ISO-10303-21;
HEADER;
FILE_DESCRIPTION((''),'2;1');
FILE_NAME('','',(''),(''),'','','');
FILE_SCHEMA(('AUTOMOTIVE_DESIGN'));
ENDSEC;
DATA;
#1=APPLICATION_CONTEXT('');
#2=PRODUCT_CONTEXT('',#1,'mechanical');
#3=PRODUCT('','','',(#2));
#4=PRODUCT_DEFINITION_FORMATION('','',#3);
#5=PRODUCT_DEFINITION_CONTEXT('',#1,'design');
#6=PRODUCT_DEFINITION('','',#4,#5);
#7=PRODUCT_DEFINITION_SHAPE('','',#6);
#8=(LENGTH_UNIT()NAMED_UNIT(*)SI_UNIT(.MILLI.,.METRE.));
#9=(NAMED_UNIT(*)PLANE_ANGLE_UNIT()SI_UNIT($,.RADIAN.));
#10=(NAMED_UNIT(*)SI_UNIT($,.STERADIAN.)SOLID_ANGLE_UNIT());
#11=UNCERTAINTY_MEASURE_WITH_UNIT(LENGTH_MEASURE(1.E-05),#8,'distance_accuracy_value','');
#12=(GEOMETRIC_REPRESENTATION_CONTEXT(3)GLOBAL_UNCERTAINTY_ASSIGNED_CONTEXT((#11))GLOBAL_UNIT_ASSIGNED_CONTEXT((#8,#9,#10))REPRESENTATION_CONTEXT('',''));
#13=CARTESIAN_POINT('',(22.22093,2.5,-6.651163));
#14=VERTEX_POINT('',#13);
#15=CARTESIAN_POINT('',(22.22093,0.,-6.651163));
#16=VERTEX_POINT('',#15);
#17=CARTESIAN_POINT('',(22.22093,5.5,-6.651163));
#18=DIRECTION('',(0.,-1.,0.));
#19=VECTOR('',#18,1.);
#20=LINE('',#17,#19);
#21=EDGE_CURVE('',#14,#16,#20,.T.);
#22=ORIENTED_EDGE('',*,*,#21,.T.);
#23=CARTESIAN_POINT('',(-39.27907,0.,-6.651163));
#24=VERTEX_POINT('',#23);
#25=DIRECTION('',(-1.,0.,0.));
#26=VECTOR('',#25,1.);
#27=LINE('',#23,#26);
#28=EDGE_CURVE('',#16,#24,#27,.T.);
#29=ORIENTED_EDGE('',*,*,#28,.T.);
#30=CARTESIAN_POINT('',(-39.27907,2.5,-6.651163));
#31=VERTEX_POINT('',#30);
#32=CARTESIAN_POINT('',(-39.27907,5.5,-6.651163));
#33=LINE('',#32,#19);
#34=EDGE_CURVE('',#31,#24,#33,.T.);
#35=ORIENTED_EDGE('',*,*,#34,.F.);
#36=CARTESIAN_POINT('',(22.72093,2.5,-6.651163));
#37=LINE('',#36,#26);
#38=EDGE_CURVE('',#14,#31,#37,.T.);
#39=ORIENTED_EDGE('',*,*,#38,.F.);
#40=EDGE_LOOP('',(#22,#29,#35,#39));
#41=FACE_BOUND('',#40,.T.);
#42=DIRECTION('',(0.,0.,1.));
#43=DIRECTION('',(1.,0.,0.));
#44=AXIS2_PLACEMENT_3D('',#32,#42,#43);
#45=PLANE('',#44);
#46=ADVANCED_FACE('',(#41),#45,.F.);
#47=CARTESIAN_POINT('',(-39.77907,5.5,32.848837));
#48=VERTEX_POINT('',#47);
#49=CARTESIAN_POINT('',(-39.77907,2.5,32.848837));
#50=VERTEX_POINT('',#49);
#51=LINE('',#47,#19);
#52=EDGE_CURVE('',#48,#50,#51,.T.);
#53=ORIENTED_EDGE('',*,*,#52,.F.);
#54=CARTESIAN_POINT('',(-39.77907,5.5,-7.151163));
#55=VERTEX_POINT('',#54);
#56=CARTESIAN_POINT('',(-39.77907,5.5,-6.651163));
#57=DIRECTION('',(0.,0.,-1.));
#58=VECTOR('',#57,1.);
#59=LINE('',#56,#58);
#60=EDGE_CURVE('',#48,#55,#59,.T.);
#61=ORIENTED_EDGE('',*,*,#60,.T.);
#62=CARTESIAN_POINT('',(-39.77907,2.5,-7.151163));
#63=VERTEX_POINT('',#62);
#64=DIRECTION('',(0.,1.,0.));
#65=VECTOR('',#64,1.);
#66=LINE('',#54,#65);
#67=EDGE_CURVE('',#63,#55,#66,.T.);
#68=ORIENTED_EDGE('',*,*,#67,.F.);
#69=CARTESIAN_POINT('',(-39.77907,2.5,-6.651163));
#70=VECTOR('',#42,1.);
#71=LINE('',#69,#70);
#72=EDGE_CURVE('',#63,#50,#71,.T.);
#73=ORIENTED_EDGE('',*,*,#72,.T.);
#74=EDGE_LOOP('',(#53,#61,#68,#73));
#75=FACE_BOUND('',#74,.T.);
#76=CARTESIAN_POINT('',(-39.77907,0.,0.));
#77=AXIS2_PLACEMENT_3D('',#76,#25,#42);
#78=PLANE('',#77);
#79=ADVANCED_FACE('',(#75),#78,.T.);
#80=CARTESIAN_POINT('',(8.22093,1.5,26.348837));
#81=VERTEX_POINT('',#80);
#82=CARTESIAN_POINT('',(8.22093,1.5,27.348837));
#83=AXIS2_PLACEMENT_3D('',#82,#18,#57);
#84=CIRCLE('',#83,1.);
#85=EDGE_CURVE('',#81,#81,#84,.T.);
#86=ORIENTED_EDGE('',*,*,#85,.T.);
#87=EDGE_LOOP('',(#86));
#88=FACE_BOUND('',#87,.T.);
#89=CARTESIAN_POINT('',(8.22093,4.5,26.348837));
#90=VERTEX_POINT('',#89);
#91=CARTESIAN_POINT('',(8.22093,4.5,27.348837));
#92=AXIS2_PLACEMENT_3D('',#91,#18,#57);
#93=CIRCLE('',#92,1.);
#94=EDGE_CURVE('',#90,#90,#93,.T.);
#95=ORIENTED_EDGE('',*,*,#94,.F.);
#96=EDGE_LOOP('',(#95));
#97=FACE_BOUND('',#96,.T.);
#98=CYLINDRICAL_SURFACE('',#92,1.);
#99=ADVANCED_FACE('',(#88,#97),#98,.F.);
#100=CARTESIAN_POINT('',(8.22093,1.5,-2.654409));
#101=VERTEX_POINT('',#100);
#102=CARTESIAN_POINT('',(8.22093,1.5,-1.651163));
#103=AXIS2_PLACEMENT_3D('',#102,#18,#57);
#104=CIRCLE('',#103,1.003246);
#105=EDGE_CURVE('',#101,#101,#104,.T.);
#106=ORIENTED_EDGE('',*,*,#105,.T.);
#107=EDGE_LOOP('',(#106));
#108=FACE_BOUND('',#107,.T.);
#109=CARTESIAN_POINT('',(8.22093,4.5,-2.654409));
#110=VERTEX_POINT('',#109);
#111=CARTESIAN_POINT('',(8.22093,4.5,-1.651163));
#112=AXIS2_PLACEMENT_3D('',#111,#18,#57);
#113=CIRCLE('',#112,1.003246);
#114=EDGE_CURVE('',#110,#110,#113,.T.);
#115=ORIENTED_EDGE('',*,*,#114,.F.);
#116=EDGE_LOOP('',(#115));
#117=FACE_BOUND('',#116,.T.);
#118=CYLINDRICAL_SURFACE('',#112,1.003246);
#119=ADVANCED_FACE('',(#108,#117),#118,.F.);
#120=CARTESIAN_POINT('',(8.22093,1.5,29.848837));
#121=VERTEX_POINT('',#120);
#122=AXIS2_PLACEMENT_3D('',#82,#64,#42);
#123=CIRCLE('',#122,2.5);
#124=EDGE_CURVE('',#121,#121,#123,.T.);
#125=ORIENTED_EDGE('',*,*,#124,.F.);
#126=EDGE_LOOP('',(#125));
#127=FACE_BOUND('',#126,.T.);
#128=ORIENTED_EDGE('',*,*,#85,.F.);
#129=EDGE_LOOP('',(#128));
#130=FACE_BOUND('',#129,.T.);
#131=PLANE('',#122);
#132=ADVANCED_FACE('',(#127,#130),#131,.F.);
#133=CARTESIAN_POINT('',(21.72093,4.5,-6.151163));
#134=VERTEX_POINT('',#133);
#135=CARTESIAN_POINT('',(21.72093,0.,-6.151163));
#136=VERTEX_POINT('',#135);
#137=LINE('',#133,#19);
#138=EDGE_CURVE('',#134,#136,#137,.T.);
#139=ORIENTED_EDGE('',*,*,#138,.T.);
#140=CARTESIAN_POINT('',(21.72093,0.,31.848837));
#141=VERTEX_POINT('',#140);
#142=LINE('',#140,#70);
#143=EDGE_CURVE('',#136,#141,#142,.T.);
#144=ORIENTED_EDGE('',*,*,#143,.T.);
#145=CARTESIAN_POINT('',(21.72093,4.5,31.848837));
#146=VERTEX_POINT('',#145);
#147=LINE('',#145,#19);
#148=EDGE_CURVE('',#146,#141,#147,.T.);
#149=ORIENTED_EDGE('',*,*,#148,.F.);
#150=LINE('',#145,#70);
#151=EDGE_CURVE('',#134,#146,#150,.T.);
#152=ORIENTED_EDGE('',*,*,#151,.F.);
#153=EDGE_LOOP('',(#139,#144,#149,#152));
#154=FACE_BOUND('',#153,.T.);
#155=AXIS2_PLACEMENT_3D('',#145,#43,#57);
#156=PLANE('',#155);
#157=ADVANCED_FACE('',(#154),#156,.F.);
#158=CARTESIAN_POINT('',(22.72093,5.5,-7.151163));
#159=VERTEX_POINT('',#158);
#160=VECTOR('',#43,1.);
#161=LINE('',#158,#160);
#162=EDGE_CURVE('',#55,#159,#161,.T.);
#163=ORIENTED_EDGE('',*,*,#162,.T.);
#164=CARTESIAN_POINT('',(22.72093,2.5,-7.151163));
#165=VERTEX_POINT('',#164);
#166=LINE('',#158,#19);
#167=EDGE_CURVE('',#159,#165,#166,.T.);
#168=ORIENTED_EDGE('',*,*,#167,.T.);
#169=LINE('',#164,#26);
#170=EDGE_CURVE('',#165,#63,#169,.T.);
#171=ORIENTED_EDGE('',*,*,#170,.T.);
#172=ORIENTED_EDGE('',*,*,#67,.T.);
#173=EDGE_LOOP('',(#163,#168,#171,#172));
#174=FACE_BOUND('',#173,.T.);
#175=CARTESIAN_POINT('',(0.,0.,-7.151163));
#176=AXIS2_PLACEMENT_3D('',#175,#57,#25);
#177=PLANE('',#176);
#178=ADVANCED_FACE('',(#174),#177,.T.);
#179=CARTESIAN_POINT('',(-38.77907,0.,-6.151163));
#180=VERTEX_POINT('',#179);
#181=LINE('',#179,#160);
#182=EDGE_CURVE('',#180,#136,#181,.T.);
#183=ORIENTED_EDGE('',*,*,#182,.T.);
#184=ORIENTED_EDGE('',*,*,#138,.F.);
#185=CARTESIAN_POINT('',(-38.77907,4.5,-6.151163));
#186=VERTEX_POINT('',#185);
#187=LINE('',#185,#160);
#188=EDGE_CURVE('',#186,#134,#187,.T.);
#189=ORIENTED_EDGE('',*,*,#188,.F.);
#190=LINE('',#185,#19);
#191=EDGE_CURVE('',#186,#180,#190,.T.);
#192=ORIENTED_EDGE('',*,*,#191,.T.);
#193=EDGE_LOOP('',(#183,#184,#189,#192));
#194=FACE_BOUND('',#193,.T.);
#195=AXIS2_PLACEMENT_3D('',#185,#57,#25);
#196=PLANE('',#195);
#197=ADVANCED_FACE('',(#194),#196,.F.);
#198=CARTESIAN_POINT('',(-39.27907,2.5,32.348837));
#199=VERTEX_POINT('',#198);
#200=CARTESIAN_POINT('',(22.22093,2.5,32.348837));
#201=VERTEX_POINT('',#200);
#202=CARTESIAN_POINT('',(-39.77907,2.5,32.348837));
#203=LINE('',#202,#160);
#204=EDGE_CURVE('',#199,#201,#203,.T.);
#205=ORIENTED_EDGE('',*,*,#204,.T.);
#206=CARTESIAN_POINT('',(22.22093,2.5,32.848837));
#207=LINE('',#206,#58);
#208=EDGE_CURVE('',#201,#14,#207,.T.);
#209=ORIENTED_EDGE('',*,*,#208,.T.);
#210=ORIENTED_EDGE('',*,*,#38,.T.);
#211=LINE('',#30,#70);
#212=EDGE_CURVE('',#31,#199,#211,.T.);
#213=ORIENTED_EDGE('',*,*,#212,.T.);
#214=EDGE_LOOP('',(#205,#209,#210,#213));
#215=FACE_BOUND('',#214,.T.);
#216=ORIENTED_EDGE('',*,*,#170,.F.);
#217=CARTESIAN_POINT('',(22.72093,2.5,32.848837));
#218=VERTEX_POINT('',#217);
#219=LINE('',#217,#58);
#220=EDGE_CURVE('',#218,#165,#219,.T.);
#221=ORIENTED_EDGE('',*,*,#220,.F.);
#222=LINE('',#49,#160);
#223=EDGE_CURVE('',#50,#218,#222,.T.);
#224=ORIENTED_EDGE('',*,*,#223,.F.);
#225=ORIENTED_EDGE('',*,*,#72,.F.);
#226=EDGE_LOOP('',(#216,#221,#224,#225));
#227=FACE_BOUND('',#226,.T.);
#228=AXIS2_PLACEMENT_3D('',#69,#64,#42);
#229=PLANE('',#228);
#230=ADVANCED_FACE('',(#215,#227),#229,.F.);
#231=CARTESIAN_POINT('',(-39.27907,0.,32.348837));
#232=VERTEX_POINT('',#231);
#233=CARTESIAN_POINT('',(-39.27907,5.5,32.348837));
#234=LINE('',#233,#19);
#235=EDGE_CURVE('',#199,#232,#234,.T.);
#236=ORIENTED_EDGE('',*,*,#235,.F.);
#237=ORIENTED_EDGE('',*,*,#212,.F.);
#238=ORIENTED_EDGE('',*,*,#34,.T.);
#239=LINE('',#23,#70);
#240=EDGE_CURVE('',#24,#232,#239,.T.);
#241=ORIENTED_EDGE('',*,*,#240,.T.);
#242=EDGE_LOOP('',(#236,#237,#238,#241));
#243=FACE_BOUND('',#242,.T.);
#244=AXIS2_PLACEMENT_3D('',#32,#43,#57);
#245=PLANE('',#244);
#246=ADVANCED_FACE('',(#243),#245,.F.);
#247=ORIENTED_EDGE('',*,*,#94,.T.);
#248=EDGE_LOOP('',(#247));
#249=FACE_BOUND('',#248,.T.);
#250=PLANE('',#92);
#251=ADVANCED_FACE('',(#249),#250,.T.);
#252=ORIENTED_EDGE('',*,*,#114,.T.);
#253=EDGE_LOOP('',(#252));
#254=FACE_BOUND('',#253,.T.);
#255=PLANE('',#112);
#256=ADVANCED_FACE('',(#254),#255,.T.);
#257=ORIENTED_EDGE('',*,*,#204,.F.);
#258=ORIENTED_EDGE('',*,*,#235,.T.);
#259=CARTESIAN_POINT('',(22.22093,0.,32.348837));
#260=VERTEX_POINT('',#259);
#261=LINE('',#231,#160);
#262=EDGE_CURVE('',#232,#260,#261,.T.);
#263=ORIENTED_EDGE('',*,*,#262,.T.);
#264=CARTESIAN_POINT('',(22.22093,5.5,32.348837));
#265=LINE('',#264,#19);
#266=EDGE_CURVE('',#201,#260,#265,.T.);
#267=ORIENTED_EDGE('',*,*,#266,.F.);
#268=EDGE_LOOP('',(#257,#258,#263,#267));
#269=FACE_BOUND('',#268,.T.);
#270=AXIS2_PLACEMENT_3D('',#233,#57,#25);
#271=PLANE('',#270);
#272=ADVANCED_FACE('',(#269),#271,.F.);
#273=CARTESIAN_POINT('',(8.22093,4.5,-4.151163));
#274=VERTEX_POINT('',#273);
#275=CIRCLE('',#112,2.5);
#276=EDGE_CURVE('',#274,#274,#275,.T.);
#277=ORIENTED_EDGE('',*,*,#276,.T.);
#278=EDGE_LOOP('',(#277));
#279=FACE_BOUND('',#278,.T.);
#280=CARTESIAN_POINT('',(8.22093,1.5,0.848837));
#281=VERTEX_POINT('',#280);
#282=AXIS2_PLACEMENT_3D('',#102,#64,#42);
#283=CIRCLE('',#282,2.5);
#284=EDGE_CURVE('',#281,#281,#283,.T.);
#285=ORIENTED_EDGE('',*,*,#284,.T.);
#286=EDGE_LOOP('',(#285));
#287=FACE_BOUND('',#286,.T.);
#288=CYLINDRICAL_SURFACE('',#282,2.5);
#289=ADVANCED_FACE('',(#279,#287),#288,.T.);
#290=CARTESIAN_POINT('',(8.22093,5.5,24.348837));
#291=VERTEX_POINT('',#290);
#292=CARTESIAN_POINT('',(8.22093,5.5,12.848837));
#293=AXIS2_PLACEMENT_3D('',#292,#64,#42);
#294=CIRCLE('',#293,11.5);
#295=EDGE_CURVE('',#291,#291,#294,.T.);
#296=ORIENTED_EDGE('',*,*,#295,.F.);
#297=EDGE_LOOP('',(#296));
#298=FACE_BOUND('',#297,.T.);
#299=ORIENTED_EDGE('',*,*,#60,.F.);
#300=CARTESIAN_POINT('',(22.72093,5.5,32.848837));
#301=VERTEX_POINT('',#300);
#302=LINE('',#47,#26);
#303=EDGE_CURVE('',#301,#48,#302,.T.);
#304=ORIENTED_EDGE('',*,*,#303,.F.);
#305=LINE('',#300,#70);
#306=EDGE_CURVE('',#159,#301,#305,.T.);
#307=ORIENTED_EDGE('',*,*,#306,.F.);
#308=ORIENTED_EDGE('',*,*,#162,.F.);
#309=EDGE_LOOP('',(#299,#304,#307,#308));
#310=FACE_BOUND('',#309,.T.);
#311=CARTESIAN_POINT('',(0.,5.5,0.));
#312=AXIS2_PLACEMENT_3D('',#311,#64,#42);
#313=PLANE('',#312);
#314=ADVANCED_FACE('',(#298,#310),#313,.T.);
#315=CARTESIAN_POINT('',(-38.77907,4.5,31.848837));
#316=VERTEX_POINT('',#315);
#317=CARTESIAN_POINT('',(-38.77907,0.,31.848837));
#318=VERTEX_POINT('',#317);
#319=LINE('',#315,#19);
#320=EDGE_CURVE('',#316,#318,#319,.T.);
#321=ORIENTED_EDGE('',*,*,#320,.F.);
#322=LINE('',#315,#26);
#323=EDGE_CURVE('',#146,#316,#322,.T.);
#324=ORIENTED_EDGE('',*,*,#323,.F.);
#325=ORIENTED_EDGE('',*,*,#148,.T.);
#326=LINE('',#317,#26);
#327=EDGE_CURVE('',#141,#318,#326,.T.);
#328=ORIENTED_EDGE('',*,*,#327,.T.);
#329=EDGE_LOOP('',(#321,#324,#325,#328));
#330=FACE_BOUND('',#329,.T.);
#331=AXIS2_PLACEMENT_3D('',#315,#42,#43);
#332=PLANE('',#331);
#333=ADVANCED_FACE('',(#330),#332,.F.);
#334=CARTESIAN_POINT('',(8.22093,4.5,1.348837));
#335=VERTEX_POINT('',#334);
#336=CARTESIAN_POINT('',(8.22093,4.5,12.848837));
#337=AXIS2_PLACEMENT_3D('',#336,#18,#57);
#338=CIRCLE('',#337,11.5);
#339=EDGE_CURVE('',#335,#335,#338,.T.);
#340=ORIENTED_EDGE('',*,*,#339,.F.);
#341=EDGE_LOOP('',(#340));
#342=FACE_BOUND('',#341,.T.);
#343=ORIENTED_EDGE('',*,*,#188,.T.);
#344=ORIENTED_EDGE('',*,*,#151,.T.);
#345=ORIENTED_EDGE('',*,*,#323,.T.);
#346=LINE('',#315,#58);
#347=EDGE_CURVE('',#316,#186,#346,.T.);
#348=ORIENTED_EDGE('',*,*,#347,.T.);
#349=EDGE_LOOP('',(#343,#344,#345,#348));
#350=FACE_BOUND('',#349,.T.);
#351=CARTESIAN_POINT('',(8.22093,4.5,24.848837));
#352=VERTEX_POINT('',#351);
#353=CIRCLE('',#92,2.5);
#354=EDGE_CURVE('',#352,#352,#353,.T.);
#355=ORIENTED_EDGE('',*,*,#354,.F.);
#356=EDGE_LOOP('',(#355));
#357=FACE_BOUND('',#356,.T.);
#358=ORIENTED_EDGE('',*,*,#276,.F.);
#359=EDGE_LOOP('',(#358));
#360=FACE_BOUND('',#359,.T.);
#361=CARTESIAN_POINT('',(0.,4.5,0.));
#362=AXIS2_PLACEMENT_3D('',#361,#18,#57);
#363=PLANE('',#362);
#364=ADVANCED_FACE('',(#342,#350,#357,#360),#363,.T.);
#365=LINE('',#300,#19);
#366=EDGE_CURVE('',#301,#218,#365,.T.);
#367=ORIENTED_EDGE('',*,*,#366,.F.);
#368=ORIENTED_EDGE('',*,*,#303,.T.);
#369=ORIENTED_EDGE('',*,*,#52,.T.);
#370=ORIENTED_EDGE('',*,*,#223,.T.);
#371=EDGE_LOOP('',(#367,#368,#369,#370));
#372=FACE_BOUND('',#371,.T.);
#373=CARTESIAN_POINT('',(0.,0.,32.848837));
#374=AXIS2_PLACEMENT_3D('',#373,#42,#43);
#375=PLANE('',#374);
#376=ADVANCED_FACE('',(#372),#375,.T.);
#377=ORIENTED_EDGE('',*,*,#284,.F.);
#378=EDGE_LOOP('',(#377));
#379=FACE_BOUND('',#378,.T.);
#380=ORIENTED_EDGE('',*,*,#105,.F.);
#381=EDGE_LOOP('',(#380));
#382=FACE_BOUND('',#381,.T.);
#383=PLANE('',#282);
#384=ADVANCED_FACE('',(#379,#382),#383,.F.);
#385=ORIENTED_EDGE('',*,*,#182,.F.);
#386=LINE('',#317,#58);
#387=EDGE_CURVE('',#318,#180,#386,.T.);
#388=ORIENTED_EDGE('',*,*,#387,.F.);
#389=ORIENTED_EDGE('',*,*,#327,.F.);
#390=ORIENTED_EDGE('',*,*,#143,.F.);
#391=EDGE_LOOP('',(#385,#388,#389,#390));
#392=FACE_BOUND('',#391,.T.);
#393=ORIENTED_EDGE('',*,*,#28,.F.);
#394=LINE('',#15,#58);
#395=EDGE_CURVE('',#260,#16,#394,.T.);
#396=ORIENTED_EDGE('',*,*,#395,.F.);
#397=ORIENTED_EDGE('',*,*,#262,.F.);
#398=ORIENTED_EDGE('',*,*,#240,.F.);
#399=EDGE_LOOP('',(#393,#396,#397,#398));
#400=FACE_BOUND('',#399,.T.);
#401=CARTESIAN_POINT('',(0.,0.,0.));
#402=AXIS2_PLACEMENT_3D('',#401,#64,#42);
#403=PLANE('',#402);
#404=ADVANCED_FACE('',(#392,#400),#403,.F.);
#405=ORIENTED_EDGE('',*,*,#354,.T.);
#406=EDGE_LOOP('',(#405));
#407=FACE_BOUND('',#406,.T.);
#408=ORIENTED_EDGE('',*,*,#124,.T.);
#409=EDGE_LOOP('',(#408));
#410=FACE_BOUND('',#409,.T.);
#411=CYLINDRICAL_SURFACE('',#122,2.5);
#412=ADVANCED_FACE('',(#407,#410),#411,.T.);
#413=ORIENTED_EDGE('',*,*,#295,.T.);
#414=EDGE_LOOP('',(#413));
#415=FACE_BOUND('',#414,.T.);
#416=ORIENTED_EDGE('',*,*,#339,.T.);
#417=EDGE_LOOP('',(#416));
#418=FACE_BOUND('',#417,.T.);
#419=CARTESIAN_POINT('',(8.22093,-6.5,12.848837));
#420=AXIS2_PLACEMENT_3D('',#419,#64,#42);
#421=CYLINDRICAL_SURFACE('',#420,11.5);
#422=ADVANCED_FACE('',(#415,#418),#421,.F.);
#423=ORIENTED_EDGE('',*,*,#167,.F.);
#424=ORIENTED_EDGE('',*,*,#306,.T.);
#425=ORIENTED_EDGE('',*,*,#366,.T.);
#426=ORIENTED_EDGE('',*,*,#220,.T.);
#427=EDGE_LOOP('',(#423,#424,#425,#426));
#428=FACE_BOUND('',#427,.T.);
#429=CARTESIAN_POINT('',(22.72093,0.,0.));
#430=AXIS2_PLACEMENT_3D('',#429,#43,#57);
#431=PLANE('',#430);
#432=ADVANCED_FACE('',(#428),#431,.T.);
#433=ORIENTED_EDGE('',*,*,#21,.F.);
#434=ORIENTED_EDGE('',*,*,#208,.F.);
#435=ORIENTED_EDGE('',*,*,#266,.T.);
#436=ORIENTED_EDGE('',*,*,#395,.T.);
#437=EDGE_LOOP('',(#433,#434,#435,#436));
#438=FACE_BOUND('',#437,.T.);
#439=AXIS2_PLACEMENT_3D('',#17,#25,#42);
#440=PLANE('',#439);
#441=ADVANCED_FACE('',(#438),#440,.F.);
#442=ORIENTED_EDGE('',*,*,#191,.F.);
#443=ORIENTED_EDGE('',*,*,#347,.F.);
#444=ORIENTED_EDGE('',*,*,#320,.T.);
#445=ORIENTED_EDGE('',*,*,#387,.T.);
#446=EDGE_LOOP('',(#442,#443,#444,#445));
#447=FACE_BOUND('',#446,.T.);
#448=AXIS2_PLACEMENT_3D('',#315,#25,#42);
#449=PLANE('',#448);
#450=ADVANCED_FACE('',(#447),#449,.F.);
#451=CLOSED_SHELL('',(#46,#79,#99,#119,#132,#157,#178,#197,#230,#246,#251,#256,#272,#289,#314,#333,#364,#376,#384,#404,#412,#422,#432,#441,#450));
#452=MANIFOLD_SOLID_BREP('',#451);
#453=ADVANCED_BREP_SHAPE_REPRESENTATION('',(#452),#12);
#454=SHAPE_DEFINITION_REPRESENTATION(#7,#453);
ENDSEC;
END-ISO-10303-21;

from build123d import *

# Parameters (mm, degrees)
SKETCH_1_W          = 61.5
SKETCH_1_H          = 39
EXTRUDE_1_DEPTH     = 5.5
SKETCH_2_W          = 39
SKETCH_2_H          = 3
EXTRUDE_2_DEPTH     = 0.5
SKETCH_3_W          = 62
SKETCH_3_H          = 3
EXTRUDE_3_DEPTH     = 0.5
SKETCH_5_W          = 39.5
SKETCH_5_H          = 3
EXTRUDE_4_DEPTH     = 0.5
SKETCH_6_W          = 62.5
SKETCH_6_H          = 3
EXTRUDE_5_DEPTH     = 0.5
SKETCH_7_W          = 60.5
SKETCH_7_H          = 38
CUT_EXTRUDE_1_DEPTH = 4.5
SKETCH_8_R          = 11.5
CUT_EXTRUDE_2_DEPTH = 12
SKETCH_9_R          = 2.5
EXTRUDE_7_DEPTH     = 4
SKETCH_10_R         = 1.003246397
SKETCH_10_R_2       = 1
CUT_EXTRUDE_3_DEPTH = 3


with BuildPart() as part:
    # Эскиз1 → Бобышка-Вытянуть1 (new body)
    with BuildSketch(Plane(origin=(0, 0, 0), x_dir=(1, 0, 0), z_dir=(0, 1, 0))):
        with Locations((-8.529069767, -12.848837209)):
            Rectangle(SKETCH_1_W, SKETCH_1_H)
    extrude(amount=EXTRUDE_1_DEPTH)

    # Эскиз2 → Бобышка-Вытянуть2 (add)
    with BuildSketch(Plane.ZY.offset(39.279069767)):
        with Locations((12.848837209, 4)):
            Rectangle(SKETCH_2_W, SKETCH_2_H)
    extrude(amount=EXTRUDE_2_DEPTH)

    # Эскиз3 → Бобышка-Вытянуть3 (add)
    with BuildSketch(Plane.XY.offset(32.348837209)):
        with Locations((-8.779069767, 4)):
            Rectangle(SKETCH_3_W, SKETCH_3_H)
    extrude(amount=EXTRUDE_3_DEPTH)

    # Эскиз5 → Бобышка-Вытянуть4 (add)
    with BuildSketch(Plane(origin=(22.220930233, 0, 0), x_dir=(0, 0, -1), z_dir=(1, 0, 0))):
        with Locations((-13.098837209, 4)):
            Rectangle(SKETCH_5_W, SKETCH_5_H)
    extrude(amount=EXTRUDE_4_DEPTH)

    # Эскиз6 → Бобышка-Вытянуть5 (add)
    with BuildSketch(Plane(origin=(0, 0, -6.651162791), x_dir=(-1, 0, 0), z_dir=(0, 0, -1))):
        with Locations((8.529069767, 4)):
            Rectangle(SKETCH_6_W, SKETCH_6_H)
    extrude(amount=EXTRUDE_5_DEPTH)

    # Эскиз7 → Вырез-Вытянуть1 (cut)
    with BuildSketch(Plane.XZ):
        with Locations((-8.529069767, 12.848837209)):
            Rectangle(SKETCH_7_W, SKETCH_7_H)
    extrude(amount=-CUT_EXTRUDE_1_DEPTH, mode=Mode.SUBTRACT)

    # Эскиз8 → Вырез-Вытянуть2 (cut)
    with BuildSketch(Plane(origin=(0, 5.5, 0), x_dir=(1, 0, 0), z_dir=(0, 1, 0))):
        with Locations(Location((8.220930233, -12.848837209, 0), (0, 0, 270))):
            Circle(SKETCH_8_R)
    extrude(amount=-CUT_EXTRUDE_2_DEPTH, mode=Mode.SUBTRACT)

    # Эскиз9 → Бобышка-Вытянуть7 (add)
    with BuildSketch(Plane(origin=(0, 5.5, 0), x_dir=(1, 0, 0), z_dir=(0, 1, 0))):
        with Locations(Location((8.220930233, 1.651162791, 0), (0, 0, 270))):
            Circle(SKETCH_9_R)
        with Locations(Location((8.220930233, -27.348837209, 0), (0, 0, 270))):
            Circle(SKETCH_9_R)
    extrude(amount=-EXTRUDE_7_DEPTH)

    # Эскиз10 → Вырез-Вытянуть3 (cut)
    with BuildSketch(Plane.XZ.offset(-1.5)):
        with Locations(Location((8.220930233, -1.651162791, 0), (0, 0, 270))):
            Circle(SKETCH_10_R)
        with Locations(Location((8.220930233, 27.348837209, 0), (0, 0, 270))):
            Circle(SKETCH_10_R_2)
    extrude(amount=-CUT_EXTRUDE_3_DEPTH, mode=Mode.SUBTRACT)


solid = part.part
